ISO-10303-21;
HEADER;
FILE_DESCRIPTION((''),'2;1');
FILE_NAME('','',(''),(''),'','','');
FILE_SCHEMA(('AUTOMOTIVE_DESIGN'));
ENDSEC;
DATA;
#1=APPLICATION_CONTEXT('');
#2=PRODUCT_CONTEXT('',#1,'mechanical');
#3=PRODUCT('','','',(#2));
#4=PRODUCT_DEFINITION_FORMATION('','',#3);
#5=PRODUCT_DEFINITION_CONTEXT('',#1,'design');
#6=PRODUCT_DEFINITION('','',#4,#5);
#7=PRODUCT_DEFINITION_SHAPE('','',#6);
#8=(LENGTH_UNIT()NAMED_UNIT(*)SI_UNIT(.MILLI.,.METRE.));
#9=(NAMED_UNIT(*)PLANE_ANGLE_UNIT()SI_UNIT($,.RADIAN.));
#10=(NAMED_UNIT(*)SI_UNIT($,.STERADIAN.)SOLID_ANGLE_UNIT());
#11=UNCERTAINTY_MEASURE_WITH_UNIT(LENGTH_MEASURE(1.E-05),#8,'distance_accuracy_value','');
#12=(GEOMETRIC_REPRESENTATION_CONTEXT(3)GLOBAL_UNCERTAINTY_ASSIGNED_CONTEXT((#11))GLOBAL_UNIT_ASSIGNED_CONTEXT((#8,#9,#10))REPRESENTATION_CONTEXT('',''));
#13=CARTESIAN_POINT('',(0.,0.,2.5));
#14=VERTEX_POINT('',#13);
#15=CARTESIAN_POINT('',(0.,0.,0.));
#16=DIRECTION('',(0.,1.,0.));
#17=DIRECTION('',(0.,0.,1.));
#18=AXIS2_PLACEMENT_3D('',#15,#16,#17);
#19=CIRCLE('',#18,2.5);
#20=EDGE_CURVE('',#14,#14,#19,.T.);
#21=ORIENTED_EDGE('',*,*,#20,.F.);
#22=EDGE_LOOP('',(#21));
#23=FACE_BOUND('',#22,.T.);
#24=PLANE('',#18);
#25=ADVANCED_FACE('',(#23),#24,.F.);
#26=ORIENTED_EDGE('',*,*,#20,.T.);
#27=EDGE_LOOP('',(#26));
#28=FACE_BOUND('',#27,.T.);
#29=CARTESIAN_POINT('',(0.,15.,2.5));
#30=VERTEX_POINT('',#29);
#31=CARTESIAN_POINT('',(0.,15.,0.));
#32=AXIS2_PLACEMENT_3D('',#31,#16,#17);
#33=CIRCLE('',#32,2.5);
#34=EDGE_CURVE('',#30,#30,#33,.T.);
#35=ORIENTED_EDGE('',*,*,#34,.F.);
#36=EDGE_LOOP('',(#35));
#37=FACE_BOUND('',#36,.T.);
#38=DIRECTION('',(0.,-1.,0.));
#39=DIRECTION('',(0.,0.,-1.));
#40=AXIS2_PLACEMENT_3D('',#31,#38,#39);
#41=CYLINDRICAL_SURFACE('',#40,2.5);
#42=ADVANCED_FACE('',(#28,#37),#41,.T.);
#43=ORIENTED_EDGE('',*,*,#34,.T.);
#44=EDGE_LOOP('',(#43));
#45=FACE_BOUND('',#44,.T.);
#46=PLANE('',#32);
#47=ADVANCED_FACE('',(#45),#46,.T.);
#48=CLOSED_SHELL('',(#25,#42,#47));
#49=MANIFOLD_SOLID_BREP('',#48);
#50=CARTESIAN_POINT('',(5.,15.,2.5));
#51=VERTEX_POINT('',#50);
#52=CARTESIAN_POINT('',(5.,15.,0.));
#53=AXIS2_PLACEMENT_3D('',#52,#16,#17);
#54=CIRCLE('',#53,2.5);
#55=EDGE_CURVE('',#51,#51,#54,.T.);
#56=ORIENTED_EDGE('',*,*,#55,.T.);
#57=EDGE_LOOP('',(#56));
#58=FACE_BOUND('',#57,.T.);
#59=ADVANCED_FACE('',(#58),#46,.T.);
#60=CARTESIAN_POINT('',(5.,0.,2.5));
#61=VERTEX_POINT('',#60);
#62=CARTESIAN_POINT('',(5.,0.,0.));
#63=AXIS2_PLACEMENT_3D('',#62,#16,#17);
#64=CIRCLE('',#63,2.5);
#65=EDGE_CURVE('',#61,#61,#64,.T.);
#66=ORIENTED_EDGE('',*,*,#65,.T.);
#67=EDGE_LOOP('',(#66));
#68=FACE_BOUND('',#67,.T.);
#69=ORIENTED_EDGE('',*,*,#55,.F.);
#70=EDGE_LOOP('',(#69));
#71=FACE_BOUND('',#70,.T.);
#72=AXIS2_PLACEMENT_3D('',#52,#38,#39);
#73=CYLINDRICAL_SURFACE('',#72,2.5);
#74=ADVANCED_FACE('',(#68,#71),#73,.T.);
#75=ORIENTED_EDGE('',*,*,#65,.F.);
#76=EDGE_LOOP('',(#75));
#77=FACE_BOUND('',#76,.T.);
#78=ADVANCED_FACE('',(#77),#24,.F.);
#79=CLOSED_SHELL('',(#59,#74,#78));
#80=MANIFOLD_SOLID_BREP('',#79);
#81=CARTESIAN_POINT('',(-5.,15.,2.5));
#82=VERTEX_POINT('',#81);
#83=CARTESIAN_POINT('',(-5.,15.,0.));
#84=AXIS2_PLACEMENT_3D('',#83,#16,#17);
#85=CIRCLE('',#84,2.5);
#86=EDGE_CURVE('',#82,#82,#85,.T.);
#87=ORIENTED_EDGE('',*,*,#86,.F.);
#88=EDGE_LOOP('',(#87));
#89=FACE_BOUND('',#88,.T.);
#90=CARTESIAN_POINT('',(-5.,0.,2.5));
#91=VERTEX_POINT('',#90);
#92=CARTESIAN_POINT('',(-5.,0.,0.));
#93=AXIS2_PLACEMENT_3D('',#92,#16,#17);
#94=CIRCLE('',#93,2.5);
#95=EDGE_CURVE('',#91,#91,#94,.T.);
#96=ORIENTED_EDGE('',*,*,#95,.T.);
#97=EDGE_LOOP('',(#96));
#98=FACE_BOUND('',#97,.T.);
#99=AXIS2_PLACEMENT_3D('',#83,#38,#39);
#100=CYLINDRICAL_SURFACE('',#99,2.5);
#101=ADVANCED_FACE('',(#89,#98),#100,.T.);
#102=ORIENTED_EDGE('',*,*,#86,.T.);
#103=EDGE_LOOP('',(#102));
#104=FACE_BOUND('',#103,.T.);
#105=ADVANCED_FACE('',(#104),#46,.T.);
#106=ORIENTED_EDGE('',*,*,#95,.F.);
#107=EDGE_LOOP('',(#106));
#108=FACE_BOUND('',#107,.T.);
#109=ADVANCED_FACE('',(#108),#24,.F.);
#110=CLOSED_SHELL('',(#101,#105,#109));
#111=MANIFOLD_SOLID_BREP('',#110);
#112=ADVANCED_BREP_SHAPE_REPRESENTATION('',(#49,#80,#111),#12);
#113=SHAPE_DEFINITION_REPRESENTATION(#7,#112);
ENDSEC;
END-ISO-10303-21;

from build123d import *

# Parameters (mm, degrees)
SKETCH1_R           = 2.5
BOSS_EXTRUDE1_DEPTH = 15


with BuildPart() as part:
    # Sketch1 → Boss-Extrude1 (new body)
    with BuildSketch(Plane(origin=(0, 0, 0), x_dir=(1, 0, 0), z_dir=(0, 1, 0))):
        with BuildLine():
            ThreePointArc((-2.5, 0), (0, -2.5), (2.5, 0))
            ThreePointArc((2.5, 0), (0, 2.5), (-2.5, 0))
        make_face()
        with BuildLine():
            ThreePointArc((7.5, 0), (5, 2.5), (2.5, 0))
            Line((2.5, 0), (7.5, 0))
        make_face()
        with BuildLine():
            Line((7.5, 0), (2.5, 0))
            ThreePointArc((2.5, 0), (5, -2.5), (7.5, 0))
        make_face()
        with Locations(Location((-5, 0, 0), (0, 0, 270))):
            Circle(SKETCH1_R)
    extrude(amount=BOSS_EXTRUDE1_DEPTH)


solid = part.part
